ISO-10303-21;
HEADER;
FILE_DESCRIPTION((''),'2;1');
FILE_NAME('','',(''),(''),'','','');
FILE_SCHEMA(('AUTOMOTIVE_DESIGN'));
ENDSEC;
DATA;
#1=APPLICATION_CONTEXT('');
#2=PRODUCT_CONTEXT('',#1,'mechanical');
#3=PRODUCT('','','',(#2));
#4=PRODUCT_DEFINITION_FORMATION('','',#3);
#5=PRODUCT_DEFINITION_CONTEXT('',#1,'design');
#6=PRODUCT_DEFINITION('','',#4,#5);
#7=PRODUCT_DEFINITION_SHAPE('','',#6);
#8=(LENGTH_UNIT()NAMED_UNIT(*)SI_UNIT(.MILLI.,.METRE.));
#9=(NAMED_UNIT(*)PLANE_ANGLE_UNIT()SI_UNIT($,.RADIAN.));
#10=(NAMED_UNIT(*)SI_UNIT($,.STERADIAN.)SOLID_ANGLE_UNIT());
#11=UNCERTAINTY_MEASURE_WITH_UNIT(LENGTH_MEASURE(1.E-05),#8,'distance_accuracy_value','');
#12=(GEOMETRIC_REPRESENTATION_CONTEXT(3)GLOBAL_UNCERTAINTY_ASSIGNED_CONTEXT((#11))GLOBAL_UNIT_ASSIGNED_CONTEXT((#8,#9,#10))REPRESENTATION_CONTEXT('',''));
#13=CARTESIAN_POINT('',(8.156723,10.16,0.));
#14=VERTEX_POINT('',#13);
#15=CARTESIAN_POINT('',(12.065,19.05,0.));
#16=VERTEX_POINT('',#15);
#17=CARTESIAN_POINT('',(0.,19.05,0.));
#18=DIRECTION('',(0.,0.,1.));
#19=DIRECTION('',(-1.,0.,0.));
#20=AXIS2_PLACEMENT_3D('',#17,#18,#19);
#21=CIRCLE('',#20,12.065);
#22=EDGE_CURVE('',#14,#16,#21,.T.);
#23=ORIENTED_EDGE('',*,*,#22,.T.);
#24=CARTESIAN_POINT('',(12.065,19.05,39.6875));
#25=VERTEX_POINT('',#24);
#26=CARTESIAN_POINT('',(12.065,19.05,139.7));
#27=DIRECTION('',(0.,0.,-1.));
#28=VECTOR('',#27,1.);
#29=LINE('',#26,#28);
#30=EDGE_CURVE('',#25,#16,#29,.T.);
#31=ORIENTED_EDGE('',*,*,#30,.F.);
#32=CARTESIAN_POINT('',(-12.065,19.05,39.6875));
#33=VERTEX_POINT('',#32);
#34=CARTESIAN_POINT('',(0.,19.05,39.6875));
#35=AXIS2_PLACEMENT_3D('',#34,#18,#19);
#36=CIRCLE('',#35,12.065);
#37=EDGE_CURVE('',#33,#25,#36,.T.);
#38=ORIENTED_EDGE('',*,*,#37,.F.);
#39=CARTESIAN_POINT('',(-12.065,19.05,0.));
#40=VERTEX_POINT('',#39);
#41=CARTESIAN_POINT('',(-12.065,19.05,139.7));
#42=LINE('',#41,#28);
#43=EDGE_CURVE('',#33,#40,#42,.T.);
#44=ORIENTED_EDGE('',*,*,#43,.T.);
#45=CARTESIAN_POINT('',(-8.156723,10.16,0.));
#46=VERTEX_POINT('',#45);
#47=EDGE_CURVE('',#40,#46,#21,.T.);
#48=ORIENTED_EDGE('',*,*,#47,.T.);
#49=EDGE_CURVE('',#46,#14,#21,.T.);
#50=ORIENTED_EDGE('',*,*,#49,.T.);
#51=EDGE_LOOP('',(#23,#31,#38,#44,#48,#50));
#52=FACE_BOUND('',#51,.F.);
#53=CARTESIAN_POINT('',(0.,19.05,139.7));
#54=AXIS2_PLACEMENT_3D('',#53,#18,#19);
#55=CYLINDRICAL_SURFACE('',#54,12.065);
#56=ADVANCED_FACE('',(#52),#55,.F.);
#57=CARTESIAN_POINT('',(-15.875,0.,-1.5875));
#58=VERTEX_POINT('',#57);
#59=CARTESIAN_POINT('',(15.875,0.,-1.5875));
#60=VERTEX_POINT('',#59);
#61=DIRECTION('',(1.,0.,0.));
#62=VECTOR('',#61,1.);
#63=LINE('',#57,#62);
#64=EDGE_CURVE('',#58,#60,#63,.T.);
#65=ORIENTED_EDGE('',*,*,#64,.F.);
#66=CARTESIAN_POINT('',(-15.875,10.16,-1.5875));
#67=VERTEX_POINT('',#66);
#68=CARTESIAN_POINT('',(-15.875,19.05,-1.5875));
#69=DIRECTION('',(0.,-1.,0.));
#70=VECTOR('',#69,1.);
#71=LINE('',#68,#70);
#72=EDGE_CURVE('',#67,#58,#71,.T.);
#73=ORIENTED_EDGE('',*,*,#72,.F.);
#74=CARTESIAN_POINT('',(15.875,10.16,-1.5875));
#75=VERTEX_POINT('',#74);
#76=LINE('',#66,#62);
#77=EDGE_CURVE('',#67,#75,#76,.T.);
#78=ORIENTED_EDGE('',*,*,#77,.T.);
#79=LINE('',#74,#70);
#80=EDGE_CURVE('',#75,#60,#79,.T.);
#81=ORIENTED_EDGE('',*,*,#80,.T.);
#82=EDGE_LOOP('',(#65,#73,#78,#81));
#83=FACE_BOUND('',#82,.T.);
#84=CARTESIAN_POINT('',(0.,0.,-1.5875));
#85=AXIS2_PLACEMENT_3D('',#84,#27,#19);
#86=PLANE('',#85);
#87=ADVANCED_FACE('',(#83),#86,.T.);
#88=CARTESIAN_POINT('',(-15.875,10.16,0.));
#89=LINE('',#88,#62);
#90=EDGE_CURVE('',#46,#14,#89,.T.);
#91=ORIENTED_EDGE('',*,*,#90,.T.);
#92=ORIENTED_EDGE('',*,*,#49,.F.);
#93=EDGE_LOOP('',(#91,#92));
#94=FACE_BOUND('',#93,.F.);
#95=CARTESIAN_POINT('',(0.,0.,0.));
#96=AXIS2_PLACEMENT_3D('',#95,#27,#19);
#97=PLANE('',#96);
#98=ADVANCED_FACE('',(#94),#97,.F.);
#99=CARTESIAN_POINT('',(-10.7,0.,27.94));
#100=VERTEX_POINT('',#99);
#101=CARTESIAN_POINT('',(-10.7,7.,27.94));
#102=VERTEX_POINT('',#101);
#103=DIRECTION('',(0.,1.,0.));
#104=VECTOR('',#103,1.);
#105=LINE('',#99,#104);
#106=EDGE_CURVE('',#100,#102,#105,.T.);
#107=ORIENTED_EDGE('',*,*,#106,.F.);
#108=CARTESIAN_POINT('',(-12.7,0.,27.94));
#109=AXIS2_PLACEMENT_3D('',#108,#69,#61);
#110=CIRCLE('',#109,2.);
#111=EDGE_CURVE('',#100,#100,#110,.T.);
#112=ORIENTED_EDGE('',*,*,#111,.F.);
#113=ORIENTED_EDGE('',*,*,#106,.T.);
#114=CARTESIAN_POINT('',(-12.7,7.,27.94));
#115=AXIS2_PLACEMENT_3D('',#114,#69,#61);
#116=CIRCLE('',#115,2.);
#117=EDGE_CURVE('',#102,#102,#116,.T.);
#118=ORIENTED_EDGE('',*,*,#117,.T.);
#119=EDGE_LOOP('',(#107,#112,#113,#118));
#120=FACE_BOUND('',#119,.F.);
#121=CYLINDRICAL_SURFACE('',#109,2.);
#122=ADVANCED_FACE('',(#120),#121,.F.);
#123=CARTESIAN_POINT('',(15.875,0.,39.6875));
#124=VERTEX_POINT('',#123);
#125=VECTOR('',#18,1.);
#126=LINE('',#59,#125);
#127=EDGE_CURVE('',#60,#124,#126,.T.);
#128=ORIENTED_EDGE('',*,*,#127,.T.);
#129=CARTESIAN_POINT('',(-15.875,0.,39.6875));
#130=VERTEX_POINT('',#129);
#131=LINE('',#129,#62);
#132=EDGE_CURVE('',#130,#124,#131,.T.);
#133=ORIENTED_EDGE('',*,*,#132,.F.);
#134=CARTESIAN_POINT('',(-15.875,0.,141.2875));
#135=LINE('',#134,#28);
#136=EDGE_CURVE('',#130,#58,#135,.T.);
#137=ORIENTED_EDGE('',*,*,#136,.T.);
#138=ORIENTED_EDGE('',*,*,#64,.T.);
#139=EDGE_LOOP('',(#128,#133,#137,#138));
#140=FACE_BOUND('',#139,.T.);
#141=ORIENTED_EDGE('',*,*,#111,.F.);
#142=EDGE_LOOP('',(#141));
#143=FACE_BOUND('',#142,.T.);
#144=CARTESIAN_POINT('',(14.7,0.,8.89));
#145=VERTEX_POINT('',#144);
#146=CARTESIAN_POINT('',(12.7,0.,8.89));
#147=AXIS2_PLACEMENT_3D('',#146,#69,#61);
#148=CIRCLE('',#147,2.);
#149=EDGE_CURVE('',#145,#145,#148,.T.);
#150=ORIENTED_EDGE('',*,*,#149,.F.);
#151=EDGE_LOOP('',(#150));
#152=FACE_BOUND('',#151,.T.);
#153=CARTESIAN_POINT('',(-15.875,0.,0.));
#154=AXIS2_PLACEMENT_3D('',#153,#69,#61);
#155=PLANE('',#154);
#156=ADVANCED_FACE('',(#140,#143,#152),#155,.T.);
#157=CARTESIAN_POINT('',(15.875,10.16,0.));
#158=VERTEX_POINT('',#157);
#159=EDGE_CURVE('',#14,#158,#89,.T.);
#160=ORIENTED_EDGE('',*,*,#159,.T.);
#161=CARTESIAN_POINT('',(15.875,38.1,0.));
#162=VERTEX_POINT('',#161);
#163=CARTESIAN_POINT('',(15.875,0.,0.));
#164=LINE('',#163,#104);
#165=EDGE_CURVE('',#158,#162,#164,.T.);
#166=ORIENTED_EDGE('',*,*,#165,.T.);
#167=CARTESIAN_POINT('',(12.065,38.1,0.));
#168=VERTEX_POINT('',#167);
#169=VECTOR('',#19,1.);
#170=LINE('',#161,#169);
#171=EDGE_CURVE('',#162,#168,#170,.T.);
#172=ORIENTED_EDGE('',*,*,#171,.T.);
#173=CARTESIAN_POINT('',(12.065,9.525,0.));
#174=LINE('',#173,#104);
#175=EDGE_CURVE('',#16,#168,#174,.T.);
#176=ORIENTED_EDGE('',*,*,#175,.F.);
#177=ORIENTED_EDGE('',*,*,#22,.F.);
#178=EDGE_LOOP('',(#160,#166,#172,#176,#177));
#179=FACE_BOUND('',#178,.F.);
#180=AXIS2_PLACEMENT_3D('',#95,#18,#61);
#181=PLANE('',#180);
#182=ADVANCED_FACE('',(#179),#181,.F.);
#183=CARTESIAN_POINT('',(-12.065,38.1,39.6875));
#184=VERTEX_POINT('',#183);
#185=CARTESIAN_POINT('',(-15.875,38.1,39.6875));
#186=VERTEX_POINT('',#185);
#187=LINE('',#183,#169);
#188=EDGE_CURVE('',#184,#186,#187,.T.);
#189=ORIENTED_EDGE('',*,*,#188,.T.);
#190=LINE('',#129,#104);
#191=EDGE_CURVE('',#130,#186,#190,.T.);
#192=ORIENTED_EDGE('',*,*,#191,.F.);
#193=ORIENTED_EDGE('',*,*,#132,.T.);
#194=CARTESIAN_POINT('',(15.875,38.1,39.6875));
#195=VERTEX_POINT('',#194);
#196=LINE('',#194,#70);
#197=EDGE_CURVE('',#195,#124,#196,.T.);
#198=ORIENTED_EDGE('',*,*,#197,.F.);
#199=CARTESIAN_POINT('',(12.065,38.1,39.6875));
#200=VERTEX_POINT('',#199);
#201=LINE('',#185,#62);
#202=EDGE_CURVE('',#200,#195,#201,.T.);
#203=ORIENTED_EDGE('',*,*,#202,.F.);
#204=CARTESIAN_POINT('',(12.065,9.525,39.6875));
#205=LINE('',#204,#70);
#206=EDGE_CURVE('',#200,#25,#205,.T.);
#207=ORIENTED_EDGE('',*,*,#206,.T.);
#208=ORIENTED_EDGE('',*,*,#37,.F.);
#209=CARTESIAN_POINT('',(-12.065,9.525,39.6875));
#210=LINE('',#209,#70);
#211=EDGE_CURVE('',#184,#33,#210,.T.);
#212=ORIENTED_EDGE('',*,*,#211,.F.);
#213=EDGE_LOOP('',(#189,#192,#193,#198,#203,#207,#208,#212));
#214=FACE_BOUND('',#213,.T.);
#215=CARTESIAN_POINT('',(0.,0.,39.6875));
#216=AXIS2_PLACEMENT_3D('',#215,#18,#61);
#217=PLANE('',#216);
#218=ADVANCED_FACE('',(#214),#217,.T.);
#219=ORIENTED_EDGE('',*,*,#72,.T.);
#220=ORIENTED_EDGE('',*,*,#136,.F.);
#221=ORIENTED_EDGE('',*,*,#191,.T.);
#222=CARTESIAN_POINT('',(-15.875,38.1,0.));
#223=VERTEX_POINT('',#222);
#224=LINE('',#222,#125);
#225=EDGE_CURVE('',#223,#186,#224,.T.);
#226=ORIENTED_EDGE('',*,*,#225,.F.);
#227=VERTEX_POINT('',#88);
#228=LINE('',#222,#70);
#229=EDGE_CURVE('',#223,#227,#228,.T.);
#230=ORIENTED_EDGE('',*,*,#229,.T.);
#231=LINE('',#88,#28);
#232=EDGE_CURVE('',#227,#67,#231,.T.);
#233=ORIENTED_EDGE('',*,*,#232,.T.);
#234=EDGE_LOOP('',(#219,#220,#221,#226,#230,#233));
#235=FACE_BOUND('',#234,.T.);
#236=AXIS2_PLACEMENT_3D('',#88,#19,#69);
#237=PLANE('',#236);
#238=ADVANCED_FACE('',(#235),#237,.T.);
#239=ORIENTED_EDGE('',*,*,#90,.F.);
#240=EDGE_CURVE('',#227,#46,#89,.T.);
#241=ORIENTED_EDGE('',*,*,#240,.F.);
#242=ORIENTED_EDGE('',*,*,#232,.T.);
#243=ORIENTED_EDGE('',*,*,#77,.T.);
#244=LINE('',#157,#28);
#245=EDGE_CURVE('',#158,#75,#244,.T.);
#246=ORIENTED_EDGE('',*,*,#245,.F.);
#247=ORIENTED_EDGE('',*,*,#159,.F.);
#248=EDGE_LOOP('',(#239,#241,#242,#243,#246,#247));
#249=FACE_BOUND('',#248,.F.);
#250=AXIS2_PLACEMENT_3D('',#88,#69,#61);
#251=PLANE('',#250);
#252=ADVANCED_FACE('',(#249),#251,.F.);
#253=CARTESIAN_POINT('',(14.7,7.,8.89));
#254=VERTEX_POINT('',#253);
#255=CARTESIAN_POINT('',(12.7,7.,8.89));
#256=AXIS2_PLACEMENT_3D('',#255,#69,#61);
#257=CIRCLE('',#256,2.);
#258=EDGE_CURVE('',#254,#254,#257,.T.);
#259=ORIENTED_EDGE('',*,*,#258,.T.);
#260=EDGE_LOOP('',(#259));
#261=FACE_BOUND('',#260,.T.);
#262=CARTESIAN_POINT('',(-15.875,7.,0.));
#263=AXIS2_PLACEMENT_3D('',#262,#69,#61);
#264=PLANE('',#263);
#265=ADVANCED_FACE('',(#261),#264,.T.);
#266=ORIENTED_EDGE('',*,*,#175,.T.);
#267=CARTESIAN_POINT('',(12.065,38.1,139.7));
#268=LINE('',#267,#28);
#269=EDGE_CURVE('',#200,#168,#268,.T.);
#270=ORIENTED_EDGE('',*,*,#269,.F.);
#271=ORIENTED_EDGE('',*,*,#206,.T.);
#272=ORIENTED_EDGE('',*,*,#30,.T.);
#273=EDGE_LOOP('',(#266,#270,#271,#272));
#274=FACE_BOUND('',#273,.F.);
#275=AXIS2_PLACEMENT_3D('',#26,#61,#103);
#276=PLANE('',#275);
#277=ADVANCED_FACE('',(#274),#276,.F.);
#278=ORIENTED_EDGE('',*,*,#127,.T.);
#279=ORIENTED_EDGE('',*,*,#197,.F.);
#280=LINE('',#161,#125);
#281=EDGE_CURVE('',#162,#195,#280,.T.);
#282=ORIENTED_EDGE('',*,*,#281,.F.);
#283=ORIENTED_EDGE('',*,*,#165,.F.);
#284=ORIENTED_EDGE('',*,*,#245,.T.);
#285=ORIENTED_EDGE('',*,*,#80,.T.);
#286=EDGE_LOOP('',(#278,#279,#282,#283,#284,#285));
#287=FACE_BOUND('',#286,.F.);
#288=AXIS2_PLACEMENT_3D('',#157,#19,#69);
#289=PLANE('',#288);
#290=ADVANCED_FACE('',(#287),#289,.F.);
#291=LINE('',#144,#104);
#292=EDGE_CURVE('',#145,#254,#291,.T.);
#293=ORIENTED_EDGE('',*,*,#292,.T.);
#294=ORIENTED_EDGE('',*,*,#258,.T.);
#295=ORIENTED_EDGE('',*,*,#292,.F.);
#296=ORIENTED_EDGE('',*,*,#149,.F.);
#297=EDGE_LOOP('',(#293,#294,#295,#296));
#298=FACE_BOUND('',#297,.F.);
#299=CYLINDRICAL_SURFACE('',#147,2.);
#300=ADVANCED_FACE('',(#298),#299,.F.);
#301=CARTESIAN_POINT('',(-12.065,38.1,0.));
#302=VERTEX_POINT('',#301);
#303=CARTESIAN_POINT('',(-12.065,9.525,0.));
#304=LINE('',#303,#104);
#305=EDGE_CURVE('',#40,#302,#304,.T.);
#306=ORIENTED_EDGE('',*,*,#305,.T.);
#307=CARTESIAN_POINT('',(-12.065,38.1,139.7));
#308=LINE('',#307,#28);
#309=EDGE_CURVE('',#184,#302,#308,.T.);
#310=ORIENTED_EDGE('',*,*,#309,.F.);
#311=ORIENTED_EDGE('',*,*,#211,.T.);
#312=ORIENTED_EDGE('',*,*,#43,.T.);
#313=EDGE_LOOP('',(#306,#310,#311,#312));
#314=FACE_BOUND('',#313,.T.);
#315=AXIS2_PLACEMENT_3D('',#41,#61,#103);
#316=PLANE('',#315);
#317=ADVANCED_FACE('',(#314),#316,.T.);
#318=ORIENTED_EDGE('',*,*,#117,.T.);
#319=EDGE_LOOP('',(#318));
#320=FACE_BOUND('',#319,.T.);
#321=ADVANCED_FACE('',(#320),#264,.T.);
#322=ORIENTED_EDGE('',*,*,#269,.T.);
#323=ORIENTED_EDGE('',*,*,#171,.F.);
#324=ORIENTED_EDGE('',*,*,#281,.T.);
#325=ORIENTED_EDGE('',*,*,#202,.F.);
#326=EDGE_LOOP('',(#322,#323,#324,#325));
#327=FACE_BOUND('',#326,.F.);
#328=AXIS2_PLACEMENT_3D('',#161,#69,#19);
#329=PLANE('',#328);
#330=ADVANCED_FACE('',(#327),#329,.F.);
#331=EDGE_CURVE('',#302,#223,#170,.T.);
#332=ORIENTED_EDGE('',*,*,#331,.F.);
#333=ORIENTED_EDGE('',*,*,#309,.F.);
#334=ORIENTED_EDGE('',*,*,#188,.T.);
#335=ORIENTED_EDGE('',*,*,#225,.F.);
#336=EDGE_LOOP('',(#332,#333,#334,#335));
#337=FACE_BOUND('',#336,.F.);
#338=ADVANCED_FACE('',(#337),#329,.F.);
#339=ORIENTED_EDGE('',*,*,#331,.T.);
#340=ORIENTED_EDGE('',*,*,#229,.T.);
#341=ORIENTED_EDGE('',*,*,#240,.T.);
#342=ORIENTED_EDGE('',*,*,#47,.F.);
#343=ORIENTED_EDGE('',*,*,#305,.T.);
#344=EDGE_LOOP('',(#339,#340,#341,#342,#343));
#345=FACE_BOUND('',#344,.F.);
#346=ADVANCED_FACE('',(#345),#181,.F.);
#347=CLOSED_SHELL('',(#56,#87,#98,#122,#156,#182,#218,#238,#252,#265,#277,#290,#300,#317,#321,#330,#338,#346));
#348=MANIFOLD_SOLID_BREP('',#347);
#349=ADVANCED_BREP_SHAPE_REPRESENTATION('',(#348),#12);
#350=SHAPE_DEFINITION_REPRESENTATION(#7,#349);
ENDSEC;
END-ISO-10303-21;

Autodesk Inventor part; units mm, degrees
ref_plane "YZ Plane" through (0, 0, 0) normal (1, 0, 0) x (0, 1, 0)
ref_plane "XZ Plane" through (0, 0, 0) normal (0, 1, 0) x (-1, 0, 0)
ref_plane "XY Plane" through (0, 0, 0) normal (0, 0, 1) x (1, 0, 0)
sketch "Sketch1" plane through (0, 0, 0) normal (0, 0, 1) x (1, 0, 0)
  line L0 (-15.875, 0) -> (15.875, 0)
  line L1 (15.875, 0) -> (15.875, 38.1)
  line L2 (15.875, 38.1) -> (-15.875, 38.1)
  line L3 (-15.875, 38.1) -> (-15.875, 0)
  point P0 (0, 0)
  dimension "d2" = 31.75
  dimension "d3" = 38.1
  dimension "d4" = 15.875
  dimension "d5" = 0
extrude "Extrusion1" add sketch "Sketch1" along normal blind 139.7
sketch "Sketch2" plane through (0, 0, 139.7) normal (0, 0, 1) x (1, 0, 0)
  arc A0 (-12.065, 19.05) -> (12.065, 19.05) centre (0, 19.05) ccw
  line L0 (-15.875, 0) -> (15.875, 0) projected
  line L1 (12.065, 19.05) -> (12.065, 38.1)
  line L2 (15.875, 38.1) -> (-15.875, 38.1) projected
  line L3 (-12.065, 19.05) -> (-12.065, 38.1)
  point P0 (0, 0)
  dimension "d8" = 19.05
  dimension "d9" = 24.13
extrude "Extrusion2" cut sketch "Sketch2" against normal through all
sketch "Sketch3" plane through (-15.875, 0, 0) normal (0, -1, 0) x (1, 0, 0)
  circle A0 centre (28.575, 8.89) radius 2
  circle A1 centre (3.175, 130.81) radius 2
  line L0 (15.875, 0) -> (15.875, 139.7) construction
  line L1 (0, 139.7) -> (31.75, 139.7) construction
  line L2 (0, 0) -> (31.75, 0) construction
  line L3 (31.75, 139.7) -> (0, 139.7) construction
  circle A2 centre (3.175, 27.94) radius 2
  dimension "d12" = 4
  dimension "d13" = 4
  dimension "d14" = 12.7
  dimension "d15" = 8.89
  dimension "d16" = 12.7
  dimension "d17" = 8.89
  dimension "d28" = 4
  dimension "d30" = 12.7
  dimension "d31" = 27.94
extrude "Heat Set Inserts" cut sketch "Sketch3" against normal blind 7
sketch "Sketch4" plane through (0, 0, 139.7) normal (0, 0, 1) x (1, 0, 0)
  line L0 (-15.875, 0) -> (15.875, 0) projected
  line L1 (15.875, 0) -> (15.875, 38.1) projected
  line L2 (-15.875, 0) -> (15.875, 0)
  line L3 (15.875, 0) -> (15.875, 19.05)
  line L4 (15.875, 19.05) -> (-15.875, 19.05)
  line L5 (-15.875, 19.05) -> (-15.875, 0)
  point P0 (0, 0)
  dimension "d20" = 19.05
extrude "Back Wall" add sketch "Sketch4" along normal blind 1.5875
sketch "Sketch5" plane through (0, 0, 0) normal (0, 0, -1) x (-1, 0, 0)
  line L0 (15.875, 0) -> (-15.875, 0) projected
  line L1 (15.875, 19.05) -> (15.875, 0) projected
  line L2 (-15.875, 0) -> (15.875, 0)
  line L3 (15.875, 0) -> (15.875, 10.16)
  line L4 (15.875, 10.16) -> (-15.875, 10.16)
  line L5 (-15.875, 10.16) -> (-15.875, 0)
  point P0 (0, 0)
  dimension "d23" = 10.16
extrude "Extrusion5" add sketch "Sketch5" along normal blind 1.5875
sketch "Sketch6" plane through (0, 0, 141.2875) normal (0, 0, 1) x (1, 0, 0)
  line L0 (-12.065, 38.1) -> (-15.875, 38.1) projected
  line L1 (-15.875, 0) -> (15.875, 0) projected
  line L2 (-15.875, 38.1) -> (15.875, 38.1)
  line L3 (15.875, 38.1) -> (15.875, 0)
  line L4 (15.875, 0) -> (-15.875, 0)
  line L5 (-15.875, 0) -> (-15.875, 38.1)
  point P0 (0, 0)
extrude "Extrusion6" cut sketch "Sketch6" against normal blind 101.6
equation "\"d4\" = 0.5 * d2"
equation "\"d12\" = m3_heat_set_insert"
equation "\"d13\" = m3_heat_set_insert"
equation "\"d28\" = d29"
equation "\"d18\" = m3_heat_set_depth"
equation "\"m3_heat_set_insert\" = 4"
equation "\"m3_clearance\" = 3.4"
equation "\"m3_heat_set_depth\" = 7"
equation "\"robot_diameter\" = 354"
equation "\"hardboard_thickness\" = 5"
equation "\"d29\" = 4"
properties part number "NiMH_Holder_Front"
